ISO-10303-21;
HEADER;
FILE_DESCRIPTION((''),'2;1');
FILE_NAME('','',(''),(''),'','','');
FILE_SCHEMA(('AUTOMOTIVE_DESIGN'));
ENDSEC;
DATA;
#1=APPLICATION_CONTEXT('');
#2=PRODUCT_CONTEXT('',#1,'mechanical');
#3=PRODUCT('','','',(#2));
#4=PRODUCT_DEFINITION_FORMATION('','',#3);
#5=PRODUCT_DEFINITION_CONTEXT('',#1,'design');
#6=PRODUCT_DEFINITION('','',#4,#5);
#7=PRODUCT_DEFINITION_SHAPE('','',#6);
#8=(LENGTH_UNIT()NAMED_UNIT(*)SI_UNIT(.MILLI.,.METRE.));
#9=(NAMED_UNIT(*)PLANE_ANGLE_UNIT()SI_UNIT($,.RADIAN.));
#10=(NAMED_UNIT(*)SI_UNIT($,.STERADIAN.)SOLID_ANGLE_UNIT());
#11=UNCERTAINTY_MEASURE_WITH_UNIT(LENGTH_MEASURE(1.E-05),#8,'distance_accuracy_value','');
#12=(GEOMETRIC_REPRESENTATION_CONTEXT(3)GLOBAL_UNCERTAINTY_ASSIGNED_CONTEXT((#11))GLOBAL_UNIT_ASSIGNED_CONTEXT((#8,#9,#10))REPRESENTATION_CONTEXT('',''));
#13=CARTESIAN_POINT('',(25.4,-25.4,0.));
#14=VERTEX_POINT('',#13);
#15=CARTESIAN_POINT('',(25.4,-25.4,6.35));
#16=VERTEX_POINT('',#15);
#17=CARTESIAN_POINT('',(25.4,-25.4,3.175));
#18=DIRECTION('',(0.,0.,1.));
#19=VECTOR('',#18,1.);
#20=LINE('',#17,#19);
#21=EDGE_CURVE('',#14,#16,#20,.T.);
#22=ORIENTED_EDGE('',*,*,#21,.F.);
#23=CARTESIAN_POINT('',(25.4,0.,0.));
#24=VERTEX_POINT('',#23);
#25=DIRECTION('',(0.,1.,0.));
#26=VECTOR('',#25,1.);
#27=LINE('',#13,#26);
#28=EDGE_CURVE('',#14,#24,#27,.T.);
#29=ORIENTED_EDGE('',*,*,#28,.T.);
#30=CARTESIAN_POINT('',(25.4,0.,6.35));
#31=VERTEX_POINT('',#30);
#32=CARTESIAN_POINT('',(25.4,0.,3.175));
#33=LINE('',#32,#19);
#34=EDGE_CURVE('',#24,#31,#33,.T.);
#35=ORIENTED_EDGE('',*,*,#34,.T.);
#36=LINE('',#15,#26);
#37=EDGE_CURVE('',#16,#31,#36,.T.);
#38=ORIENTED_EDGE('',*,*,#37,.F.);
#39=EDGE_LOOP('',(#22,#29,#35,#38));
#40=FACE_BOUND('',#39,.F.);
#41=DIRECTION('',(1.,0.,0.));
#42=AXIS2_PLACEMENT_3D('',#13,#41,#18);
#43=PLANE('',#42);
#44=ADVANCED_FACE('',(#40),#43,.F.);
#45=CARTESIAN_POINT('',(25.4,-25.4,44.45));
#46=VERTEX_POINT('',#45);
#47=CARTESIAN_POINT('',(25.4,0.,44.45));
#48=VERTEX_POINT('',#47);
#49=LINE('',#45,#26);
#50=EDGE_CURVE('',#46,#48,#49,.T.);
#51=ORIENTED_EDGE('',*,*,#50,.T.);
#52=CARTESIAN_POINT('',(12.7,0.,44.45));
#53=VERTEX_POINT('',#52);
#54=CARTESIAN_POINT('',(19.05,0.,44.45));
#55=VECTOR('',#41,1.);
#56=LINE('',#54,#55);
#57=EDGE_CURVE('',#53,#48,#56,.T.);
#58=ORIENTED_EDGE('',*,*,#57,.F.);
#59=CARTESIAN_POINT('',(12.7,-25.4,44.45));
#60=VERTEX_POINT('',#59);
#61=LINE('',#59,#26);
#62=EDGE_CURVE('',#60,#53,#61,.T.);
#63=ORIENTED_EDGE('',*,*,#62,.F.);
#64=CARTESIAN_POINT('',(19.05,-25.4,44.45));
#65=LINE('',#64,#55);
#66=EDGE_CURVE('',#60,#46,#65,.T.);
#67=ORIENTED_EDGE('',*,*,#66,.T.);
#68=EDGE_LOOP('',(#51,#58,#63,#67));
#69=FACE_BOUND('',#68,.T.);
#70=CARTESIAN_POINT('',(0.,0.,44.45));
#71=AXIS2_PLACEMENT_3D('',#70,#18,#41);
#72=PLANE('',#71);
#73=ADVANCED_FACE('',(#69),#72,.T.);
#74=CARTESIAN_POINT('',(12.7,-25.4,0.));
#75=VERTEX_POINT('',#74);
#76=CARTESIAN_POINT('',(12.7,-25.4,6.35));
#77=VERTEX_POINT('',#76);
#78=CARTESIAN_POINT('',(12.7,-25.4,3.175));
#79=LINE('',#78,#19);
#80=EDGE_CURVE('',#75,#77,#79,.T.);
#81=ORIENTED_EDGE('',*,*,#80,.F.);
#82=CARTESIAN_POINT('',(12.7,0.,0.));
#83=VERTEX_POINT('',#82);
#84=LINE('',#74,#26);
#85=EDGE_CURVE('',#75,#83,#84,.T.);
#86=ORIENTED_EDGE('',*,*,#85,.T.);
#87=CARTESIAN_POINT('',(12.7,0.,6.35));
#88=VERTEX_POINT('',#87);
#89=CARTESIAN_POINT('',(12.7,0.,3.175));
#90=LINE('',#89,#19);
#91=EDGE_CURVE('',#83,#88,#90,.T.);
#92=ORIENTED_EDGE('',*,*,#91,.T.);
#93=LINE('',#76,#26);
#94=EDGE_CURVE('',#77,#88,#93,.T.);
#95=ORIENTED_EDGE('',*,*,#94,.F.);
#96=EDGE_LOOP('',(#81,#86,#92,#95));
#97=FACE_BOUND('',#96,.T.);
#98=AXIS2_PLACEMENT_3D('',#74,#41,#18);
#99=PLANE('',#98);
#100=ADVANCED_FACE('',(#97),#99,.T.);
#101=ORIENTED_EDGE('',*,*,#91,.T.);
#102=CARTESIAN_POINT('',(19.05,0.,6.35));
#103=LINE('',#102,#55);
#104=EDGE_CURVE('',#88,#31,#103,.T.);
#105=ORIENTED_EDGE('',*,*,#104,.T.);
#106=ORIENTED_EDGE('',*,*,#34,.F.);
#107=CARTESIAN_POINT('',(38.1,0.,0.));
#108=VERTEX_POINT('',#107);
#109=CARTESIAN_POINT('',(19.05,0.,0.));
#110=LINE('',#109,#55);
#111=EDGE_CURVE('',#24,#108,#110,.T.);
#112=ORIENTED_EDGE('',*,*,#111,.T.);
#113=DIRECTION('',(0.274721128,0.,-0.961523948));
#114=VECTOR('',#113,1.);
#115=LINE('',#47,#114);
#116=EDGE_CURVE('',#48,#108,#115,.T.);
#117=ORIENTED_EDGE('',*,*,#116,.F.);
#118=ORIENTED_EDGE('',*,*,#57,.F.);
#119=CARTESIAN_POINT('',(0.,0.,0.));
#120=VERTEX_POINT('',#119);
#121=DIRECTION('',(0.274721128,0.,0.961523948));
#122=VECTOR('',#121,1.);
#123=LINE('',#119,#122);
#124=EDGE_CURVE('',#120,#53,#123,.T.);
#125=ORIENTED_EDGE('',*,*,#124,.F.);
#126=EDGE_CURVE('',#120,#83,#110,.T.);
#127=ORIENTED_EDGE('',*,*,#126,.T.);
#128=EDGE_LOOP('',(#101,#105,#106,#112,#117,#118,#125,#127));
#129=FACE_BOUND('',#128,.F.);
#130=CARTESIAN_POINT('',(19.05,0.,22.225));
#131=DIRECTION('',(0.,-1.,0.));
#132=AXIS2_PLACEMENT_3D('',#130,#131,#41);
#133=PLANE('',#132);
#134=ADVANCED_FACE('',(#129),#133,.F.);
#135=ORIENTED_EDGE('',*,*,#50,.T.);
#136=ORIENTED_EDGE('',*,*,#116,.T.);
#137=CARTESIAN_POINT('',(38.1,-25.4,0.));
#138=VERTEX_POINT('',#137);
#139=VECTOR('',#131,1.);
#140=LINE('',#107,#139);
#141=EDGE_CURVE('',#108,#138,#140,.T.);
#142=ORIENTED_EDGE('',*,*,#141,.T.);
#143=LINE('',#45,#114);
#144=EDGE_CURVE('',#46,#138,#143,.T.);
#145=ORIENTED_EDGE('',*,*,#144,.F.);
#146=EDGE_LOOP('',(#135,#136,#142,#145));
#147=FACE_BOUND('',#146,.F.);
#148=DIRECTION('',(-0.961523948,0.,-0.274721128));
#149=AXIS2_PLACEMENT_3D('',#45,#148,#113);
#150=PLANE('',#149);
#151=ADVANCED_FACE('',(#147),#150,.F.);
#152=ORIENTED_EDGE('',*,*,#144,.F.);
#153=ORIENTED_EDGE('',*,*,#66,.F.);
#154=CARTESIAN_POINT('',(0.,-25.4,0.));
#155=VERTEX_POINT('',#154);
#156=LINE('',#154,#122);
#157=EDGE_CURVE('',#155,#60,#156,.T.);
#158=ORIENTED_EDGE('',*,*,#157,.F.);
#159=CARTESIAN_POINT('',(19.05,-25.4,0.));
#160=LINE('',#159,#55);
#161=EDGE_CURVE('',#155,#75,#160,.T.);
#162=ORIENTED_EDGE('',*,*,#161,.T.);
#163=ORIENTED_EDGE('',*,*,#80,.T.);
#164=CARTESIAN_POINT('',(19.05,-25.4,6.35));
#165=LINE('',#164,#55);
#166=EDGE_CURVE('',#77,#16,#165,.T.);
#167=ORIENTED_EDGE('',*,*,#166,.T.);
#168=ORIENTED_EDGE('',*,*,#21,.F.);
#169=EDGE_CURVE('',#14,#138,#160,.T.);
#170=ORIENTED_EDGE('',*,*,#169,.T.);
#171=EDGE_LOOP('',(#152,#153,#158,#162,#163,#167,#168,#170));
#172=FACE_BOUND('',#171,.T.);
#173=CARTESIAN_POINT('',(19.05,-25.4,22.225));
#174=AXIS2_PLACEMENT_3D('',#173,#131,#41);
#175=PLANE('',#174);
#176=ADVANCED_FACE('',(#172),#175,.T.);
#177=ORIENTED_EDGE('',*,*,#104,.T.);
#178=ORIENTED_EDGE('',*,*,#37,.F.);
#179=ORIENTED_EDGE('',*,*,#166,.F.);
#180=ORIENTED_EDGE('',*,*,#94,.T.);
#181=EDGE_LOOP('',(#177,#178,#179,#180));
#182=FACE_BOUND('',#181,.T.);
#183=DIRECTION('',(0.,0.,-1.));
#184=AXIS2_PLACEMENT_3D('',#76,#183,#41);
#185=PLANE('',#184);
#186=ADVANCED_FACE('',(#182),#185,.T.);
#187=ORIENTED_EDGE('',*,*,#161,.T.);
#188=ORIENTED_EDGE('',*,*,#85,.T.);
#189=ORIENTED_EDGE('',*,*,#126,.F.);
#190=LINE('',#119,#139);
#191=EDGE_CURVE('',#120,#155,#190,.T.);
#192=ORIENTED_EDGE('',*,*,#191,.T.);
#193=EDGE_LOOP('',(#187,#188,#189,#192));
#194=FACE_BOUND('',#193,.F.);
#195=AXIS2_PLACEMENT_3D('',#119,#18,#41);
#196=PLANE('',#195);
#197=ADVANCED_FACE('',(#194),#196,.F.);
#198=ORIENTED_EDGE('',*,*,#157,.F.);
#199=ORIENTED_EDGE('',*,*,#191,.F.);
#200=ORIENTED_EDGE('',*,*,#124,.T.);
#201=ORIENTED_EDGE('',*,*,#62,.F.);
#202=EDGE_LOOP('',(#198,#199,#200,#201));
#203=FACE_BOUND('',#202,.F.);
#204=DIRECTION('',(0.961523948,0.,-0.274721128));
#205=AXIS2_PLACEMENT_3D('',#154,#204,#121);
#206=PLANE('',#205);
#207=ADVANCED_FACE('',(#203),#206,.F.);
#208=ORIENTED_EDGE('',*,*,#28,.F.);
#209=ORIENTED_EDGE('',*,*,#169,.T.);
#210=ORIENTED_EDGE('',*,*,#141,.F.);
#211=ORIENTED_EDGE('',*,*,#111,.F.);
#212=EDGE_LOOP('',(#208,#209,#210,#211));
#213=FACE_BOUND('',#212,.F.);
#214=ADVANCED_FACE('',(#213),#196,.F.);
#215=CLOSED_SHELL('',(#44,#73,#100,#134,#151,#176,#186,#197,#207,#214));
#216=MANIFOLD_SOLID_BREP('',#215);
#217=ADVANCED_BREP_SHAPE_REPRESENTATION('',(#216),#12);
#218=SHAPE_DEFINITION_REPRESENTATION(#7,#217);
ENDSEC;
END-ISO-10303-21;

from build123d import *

# Parameters (mm, degrees)
F0_W     = 38.1
F0_H     = 44.45
F1_DEPTH = 25.4
F2_W     = 12.7
F2_H     = 6.35
F3_DEPTH = 25.4
F5_DEPTH = 25.4
F6_DEPTH = 25.4
F8_DEPTH = 25.4


with BuildPart() as f1:
    # F0 (on Front) → F1 (new body)
    with BuildSketch(Plane.XZ):
        with Locations((19.05, 22.225)):
            Rectangle(F0_W, F0_H)
    extrude(amount=F1_DEPTH)

    # F2 (on face) → F3 (cut)
    with BuildSketch(Plane.XZ.offset(25.4)):
        with Locations((19.05, 3.175)):
            Rectangle(F2_W, F2_H)
    extrude(amount=-F3_DEPTH, mode=Mode.SUBTRACT)

    # F4 (on face) → F5 (cut)
    with BuildSketch(Plane.XZ.offset(25.4)):
        Polygon((38.1, 44.45), (25.4, 44.45), (38.1, 0), align=None)
    extrude(amount=-F5_DEPTH, mode=Mode.SUBTRACT)

    # F4 (on face) → F6 (cut)
    with BuildSketch(Plane.XZ.offset(25.4)):
        Polygon((38.1, 44.45), (25.4, 44.45), (38.1, 0), align=None)
    extrude(amount=-F6_DEPTH, mode=Mode.SUBTRACT)

    # F7 (on face) → F8 (cut)
    with BuildSketch(Plane.XZ.offset(25.4)):
        Polygon((0, 0), (12.7, 44.45), (0, 44.45), align=None)
    extrude(amount=-F8_DEPTH, mode=Mode.SUBTRACT)


solid = f1.part
